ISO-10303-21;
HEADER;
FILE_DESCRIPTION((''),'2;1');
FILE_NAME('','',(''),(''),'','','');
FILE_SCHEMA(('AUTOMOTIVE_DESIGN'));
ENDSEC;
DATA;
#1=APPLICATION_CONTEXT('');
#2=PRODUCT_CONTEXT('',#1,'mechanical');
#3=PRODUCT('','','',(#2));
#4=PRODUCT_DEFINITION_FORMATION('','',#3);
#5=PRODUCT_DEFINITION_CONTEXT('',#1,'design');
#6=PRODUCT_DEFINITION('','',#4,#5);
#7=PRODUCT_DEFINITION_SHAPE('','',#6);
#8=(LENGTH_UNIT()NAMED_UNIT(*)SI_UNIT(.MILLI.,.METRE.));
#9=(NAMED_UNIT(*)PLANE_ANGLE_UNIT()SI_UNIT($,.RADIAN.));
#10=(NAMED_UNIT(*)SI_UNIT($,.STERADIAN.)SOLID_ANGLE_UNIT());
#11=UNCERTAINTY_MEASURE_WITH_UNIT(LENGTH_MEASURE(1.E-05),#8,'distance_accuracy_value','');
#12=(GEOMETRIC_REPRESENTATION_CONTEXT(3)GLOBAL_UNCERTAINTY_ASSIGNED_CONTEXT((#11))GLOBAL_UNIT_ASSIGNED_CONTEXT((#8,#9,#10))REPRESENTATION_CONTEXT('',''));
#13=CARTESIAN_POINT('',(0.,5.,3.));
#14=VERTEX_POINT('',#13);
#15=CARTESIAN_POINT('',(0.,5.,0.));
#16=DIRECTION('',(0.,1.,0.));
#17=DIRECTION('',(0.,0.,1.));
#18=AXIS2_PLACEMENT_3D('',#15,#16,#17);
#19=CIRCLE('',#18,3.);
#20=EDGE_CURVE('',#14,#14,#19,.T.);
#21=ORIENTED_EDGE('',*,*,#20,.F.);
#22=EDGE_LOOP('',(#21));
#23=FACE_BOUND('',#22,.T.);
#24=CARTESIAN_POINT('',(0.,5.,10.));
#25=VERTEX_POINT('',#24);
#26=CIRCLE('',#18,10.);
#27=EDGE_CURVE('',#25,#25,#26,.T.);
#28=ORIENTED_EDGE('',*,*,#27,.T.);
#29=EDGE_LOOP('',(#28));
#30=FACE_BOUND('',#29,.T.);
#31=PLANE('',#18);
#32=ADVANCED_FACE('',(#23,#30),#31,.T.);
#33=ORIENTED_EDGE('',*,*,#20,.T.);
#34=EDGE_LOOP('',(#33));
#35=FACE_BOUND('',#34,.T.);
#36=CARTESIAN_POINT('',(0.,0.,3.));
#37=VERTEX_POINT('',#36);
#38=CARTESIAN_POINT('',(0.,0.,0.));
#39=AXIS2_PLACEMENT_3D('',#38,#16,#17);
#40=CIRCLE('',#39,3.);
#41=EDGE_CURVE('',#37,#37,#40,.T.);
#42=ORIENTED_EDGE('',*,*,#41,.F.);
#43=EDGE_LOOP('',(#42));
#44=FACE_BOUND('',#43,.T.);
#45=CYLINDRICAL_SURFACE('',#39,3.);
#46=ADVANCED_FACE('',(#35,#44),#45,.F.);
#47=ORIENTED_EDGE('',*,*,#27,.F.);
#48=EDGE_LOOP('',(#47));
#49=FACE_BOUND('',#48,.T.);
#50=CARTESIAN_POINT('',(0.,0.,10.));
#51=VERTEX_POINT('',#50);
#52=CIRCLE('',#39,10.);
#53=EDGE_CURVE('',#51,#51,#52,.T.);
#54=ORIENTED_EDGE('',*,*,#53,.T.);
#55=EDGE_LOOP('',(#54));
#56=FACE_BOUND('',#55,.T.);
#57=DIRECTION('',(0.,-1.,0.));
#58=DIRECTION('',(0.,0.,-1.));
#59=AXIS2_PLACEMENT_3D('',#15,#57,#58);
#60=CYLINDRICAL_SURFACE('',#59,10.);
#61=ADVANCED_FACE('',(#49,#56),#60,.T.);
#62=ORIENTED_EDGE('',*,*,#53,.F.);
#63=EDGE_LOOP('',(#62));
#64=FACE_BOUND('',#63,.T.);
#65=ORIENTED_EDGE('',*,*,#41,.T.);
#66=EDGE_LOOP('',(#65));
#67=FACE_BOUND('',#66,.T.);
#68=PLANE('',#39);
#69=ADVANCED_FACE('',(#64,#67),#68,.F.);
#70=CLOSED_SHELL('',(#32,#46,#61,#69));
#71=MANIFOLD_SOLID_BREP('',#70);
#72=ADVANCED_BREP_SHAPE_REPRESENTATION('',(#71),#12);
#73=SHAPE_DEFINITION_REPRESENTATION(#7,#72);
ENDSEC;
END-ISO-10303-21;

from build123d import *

# Parameters (mm, degrees)
SKETCH_1_R          = 10
EXTRUDE_1_DEPTH     = 5
SKETCH_2_R          = 3
CUT_EXTRUDE_1_DEPTH = 16


with BuildPart() as part:
    # 草图1 → 凸台-拉伸1 (new body)
    with BuildSketch(Plane(origin=(0, 0, 0), x_dir=(1, 0, 0), z_dir=(0, 1, 0))):
        with Locations(Location((0, 0, 0), (0, 0, 270))):
            Circle(SKETCH_1_R)
    extrude(amount=EXTRUDE_1_DEPTH)

    # 草图2 → 切除-拉伸1 (cut, through all)
    with BuildSketch(Plane(origin=(0, 5, 0), x_dir=(1, 0, 0), z_dir=(0, 1, 0))):
        with Locations(Location((0, 0, 0), (0, 0, 270))):
            Circle(SKETCH_2_R)
    extrude(amount=-CUT_EXTRUDE_1_DEPTH, mode=Mode.SUBTRACT)


solid = part.part
